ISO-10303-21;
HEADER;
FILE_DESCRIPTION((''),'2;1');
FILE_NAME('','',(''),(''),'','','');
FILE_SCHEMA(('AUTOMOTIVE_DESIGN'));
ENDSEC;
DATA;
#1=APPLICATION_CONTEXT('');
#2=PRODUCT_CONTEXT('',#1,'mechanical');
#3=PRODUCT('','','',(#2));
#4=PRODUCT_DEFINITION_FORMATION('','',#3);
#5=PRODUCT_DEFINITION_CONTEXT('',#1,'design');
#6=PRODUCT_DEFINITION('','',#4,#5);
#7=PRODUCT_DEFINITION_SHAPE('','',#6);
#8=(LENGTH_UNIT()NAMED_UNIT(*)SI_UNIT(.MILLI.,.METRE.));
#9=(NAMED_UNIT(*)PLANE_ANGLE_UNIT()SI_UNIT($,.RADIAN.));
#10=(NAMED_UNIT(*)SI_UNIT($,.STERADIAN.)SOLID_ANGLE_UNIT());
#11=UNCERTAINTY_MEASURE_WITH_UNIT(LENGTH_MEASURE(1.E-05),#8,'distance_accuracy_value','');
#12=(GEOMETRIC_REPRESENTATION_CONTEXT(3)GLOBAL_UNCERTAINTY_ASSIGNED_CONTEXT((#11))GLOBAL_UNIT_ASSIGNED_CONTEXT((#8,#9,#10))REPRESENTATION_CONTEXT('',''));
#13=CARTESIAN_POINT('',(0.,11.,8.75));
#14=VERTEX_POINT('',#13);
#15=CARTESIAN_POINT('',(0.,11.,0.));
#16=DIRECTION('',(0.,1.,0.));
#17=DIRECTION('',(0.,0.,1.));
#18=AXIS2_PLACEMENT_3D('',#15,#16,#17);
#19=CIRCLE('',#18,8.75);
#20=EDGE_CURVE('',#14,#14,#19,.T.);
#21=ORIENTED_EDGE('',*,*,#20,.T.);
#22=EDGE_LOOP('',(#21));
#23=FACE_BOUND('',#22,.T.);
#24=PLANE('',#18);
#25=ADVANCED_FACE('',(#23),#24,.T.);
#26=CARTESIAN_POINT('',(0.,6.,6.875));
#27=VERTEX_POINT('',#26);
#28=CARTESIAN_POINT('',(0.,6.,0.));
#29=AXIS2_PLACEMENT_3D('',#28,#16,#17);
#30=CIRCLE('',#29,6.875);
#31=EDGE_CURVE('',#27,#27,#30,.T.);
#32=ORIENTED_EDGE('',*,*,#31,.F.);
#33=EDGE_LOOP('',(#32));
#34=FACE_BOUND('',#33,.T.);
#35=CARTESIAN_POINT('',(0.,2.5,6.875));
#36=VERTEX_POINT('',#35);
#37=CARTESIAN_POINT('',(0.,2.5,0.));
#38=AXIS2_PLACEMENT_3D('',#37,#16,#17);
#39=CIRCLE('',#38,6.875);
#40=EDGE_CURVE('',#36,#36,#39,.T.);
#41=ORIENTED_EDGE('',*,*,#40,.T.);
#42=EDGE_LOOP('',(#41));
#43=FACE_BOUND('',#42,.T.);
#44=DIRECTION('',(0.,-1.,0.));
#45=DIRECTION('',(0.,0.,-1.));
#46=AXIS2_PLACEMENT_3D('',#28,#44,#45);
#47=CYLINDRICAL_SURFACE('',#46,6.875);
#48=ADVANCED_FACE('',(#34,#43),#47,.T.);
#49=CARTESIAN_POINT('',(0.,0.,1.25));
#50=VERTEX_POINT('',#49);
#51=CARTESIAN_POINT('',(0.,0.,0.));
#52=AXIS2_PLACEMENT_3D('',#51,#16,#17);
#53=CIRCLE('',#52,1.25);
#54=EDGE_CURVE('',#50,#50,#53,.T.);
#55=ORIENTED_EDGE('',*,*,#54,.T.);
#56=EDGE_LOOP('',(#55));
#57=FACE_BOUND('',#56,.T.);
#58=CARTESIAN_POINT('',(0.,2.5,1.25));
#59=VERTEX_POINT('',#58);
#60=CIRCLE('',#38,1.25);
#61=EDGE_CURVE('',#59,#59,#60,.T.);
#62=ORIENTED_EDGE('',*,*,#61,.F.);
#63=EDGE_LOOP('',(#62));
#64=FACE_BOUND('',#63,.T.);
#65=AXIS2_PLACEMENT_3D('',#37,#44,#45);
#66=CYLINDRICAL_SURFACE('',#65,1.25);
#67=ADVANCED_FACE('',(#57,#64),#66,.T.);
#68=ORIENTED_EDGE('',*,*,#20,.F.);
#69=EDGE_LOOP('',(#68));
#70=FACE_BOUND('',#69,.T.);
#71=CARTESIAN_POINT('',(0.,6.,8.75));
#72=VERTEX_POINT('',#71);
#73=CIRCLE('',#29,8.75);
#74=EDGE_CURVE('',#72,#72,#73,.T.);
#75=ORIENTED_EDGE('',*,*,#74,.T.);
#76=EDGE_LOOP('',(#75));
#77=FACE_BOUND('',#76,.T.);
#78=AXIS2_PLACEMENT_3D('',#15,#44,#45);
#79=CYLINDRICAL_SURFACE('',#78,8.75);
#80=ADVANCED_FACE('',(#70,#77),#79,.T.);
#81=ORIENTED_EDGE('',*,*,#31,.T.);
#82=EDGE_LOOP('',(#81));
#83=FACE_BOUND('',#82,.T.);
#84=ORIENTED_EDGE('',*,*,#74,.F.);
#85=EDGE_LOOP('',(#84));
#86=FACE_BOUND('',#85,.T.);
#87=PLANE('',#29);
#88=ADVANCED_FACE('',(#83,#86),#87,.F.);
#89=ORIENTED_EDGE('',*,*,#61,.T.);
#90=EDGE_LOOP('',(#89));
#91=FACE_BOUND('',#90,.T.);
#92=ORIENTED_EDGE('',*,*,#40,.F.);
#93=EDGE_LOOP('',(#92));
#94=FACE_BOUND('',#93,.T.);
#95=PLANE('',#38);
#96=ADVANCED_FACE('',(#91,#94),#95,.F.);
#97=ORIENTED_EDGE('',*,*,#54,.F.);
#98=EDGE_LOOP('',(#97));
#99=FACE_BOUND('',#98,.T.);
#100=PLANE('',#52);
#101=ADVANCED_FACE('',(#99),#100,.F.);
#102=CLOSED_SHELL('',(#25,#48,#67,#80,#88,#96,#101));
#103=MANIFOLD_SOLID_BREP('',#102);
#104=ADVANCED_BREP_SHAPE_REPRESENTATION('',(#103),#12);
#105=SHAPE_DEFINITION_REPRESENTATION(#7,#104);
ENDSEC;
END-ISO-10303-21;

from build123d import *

# Parameters (mm, degrees)
SKETCH1_R           = 1.25
BOSS_EXTRUDE1_DEPTH = 2.5
SKETCH2_R           = 6.875
BOSS_EXTRUDE2_DEPTH = 3.5
SKETCH3_R           = 8.75
BOSS_EXTRUDE3_DEPTH = 5


with BuildPart() as part:
    # Sketch1 → Boss-Extrude1 (new body)
    with BuildSketch(Plane(origin=(0, 0, 0), x_dir=(1, 0, 0), z_dir=(0, 1, 0))):
        with Locations(Location((0, 0, 0), (0, 0, 270))):
            Circle(SKETCH1_R)
    extrude(amount=BOSS_EXTRUDE1_DEPTH)

    # Sketch2 → Boss-Extrude2 (add)
    with BuildSketch(Plane(origin=(0, 2.5, 0), x_dir=(1, 0, 0), z_dir=(0, 1, 0))):
        with Locations(Location((0, 0, 0), (0, 0, 270))):
            Circle(SKETCH2_R)
    extrude(amount=BOSS_EXTRUDE2_DEPTH)

    # Sketch3 → Boss-Extrude3 (add)
    with BuildSketch(Plane(origin=(0, 6, 0), x_dir=(1, 0, 0), z_dir=(0, 1, 0))):
        with Locations(Location((0, 0, 0), (0, 0, 270))):
            Circle(SKETCH3_R)
    extrude(amount=BOSS_EXTRUDE3_DEPTH)


solid = part.part
